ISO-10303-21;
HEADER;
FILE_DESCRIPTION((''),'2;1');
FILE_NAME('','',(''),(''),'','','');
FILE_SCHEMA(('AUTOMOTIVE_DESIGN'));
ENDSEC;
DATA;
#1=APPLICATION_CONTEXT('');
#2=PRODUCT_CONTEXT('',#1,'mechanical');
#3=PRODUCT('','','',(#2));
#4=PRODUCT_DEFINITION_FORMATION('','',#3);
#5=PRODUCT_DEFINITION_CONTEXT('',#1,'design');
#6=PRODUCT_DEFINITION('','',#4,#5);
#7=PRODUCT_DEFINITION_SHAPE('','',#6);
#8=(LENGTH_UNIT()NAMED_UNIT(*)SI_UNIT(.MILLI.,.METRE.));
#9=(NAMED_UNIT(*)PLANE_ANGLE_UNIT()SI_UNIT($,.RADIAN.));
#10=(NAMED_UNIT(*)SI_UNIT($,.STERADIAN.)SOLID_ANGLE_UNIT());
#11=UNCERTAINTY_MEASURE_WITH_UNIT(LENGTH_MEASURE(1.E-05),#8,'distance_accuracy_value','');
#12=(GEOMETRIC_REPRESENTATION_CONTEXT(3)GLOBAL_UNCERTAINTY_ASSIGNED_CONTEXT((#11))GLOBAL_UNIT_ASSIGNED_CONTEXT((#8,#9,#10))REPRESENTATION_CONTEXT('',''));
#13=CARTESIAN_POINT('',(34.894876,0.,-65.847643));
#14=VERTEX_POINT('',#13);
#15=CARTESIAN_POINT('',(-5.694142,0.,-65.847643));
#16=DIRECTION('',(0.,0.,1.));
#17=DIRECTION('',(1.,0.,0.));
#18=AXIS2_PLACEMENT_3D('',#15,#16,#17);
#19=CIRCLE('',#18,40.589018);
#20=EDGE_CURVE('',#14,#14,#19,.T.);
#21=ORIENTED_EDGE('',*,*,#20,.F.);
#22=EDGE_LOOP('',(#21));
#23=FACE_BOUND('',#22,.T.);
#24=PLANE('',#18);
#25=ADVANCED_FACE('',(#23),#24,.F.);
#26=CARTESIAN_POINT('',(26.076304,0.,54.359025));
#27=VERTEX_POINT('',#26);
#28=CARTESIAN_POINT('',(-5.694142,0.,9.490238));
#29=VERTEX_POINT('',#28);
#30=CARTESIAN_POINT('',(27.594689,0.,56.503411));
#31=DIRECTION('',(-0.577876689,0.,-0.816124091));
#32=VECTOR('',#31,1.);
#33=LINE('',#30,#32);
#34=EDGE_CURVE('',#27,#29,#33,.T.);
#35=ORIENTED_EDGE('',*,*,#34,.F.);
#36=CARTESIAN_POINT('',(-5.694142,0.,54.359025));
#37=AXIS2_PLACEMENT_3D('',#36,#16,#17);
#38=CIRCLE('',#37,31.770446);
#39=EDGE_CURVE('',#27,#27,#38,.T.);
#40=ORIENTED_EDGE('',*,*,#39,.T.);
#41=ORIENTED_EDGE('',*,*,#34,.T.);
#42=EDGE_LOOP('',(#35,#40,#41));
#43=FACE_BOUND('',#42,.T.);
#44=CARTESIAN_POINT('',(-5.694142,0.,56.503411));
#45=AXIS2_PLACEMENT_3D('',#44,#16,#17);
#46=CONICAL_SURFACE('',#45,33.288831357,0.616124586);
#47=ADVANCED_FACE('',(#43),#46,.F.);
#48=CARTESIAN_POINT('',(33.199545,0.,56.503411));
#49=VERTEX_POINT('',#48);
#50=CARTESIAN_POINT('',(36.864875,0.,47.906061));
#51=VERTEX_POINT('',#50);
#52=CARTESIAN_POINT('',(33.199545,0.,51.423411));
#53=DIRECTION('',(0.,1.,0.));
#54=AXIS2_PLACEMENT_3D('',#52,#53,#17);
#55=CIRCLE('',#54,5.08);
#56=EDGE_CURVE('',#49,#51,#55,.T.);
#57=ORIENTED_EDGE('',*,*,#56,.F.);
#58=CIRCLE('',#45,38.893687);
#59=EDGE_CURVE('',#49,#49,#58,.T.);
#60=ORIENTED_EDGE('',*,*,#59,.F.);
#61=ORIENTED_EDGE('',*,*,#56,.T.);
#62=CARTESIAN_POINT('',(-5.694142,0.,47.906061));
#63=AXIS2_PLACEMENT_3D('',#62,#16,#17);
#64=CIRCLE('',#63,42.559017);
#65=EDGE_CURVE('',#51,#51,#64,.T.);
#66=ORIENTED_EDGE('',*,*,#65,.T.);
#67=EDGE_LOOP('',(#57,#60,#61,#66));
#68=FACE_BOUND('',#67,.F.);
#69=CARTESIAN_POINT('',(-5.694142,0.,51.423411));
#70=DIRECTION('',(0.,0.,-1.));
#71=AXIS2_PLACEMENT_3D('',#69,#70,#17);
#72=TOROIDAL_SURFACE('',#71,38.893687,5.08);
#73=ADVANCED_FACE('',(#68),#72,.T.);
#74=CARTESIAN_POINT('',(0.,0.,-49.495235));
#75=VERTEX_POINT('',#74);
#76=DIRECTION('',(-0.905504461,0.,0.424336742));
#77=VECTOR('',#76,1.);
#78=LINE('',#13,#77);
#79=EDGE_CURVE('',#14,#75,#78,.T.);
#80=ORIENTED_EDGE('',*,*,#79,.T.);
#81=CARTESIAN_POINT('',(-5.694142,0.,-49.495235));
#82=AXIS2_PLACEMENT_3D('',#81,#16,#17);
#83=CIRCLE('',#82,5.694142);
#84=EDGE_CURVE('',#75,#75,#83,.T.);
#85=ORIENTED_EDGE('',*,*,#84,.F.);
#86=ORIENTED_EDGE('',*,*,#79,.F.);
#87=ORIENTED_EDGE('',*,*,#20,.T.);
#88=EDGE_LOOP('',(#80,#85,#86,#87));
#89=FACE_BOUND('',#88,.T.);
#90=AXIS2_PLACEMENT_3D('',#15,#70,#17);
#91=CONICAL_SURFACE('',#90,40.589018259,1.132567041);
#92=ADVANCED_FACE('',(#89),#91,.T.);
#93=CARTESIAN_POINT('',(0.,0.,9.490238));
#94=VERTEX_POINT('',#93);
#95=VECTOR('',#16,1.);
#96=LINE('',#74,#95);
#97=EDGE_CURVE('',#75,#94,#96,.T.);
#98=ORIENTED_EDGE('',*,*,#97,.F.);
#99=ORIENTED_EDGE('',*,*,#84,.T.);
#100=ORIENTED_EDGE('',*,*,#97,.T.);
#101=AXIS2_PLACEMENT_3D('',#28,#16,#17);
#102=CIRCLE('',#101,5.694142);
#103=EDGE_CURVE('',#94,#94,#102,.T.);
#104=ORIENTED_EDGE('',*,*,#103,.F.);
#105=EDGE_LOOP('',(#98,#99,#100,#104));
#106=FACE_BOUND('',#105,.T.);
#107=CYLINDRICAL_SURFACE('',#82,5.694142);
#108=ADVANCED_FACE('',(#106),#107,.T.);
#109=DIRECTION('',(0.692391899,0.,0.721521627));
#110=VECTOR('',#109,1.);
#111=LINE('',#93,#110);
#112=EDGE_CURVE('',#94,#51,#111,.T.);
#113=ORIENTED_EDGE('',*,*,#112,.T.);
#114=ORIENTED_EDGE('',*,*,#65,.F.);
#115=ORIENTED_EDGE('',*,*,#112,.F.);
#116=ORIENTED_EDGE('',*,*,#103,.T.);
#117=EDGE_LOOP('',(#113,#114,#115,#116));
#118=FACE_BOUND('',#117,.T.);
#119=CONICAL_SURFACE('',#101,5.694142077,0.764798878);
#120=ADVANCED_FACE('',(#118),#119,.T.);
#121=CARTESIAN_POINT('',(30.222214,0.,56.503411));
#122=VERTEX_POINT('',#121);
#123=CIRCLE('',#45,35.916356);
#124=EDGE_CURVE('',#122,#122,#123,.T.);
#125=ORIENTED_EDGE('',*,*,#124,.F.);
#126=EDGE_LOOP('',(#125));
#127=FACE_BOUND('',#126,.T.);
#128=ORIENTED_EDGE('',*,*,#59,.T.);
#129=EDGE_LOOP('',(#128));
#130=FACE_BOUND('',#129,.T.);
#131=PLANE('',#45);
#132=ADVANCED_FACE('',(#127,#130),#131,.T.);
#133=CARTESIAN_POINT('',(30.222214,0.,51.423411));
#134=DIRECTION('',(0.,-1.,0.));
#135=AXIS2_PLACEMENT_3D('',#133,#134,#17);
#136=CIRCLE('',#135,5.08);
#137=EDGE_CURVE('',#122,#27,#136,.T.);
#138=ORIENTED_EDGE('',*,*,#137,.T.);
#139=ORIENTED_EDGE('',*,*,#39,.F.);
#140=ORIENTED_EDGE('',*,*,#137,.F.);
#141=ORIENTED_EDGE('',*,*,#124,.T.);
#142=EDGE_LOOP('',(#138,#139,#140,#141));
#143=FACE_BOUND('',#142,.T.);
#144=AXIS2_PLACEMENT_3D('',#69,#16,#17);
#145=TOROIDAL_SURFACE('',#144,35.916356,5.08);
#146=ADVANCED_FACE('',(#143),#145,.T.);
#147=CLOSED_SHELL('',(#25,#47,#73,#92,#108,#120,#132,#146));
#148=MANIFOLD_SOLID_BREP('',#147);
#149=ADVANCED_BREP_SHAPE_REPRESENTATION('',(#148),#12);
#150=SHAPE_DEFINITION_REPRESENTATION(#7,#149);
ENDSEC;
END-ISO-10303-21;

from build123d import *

# Parameters (mm, degrees)
F2_R = 5.08
F3_R = 5.08


with BuildPart() as f1:
    # F0 (on Front) → F1 (revolve)
    with BuildSketch(Plane.XZ):
        Polygon((45.1151281595, 56.5034113824), (27.5946892798, 56.5034113824), (-5.6941420771, 9.4902375713), (-5.6941420771, -65.8476427197), (34.8948761821, -65.8476427197), (0, -49.4952350855), (0, 9.4902375713), align=None)
    revolve(axis=Axis((-5.6941420771, 0, -28.1787025742), (0, 0, 1)))

    # F2
    f2_edges = [f1.edges().sort_by_distance(p)[0] for p in [
        (-56.503412, 0, 56.503411),
    ]]
    fillet(f2_edges, radius=F2_R)

    # F3
    f3_edges = [f1.edges().sort_by_distance(p)[0] for p in [
        (-38.982973, 0, 56.503411),
    ]]
    fillet(f3_edges, radius=F3_R)


solid = f1.part
